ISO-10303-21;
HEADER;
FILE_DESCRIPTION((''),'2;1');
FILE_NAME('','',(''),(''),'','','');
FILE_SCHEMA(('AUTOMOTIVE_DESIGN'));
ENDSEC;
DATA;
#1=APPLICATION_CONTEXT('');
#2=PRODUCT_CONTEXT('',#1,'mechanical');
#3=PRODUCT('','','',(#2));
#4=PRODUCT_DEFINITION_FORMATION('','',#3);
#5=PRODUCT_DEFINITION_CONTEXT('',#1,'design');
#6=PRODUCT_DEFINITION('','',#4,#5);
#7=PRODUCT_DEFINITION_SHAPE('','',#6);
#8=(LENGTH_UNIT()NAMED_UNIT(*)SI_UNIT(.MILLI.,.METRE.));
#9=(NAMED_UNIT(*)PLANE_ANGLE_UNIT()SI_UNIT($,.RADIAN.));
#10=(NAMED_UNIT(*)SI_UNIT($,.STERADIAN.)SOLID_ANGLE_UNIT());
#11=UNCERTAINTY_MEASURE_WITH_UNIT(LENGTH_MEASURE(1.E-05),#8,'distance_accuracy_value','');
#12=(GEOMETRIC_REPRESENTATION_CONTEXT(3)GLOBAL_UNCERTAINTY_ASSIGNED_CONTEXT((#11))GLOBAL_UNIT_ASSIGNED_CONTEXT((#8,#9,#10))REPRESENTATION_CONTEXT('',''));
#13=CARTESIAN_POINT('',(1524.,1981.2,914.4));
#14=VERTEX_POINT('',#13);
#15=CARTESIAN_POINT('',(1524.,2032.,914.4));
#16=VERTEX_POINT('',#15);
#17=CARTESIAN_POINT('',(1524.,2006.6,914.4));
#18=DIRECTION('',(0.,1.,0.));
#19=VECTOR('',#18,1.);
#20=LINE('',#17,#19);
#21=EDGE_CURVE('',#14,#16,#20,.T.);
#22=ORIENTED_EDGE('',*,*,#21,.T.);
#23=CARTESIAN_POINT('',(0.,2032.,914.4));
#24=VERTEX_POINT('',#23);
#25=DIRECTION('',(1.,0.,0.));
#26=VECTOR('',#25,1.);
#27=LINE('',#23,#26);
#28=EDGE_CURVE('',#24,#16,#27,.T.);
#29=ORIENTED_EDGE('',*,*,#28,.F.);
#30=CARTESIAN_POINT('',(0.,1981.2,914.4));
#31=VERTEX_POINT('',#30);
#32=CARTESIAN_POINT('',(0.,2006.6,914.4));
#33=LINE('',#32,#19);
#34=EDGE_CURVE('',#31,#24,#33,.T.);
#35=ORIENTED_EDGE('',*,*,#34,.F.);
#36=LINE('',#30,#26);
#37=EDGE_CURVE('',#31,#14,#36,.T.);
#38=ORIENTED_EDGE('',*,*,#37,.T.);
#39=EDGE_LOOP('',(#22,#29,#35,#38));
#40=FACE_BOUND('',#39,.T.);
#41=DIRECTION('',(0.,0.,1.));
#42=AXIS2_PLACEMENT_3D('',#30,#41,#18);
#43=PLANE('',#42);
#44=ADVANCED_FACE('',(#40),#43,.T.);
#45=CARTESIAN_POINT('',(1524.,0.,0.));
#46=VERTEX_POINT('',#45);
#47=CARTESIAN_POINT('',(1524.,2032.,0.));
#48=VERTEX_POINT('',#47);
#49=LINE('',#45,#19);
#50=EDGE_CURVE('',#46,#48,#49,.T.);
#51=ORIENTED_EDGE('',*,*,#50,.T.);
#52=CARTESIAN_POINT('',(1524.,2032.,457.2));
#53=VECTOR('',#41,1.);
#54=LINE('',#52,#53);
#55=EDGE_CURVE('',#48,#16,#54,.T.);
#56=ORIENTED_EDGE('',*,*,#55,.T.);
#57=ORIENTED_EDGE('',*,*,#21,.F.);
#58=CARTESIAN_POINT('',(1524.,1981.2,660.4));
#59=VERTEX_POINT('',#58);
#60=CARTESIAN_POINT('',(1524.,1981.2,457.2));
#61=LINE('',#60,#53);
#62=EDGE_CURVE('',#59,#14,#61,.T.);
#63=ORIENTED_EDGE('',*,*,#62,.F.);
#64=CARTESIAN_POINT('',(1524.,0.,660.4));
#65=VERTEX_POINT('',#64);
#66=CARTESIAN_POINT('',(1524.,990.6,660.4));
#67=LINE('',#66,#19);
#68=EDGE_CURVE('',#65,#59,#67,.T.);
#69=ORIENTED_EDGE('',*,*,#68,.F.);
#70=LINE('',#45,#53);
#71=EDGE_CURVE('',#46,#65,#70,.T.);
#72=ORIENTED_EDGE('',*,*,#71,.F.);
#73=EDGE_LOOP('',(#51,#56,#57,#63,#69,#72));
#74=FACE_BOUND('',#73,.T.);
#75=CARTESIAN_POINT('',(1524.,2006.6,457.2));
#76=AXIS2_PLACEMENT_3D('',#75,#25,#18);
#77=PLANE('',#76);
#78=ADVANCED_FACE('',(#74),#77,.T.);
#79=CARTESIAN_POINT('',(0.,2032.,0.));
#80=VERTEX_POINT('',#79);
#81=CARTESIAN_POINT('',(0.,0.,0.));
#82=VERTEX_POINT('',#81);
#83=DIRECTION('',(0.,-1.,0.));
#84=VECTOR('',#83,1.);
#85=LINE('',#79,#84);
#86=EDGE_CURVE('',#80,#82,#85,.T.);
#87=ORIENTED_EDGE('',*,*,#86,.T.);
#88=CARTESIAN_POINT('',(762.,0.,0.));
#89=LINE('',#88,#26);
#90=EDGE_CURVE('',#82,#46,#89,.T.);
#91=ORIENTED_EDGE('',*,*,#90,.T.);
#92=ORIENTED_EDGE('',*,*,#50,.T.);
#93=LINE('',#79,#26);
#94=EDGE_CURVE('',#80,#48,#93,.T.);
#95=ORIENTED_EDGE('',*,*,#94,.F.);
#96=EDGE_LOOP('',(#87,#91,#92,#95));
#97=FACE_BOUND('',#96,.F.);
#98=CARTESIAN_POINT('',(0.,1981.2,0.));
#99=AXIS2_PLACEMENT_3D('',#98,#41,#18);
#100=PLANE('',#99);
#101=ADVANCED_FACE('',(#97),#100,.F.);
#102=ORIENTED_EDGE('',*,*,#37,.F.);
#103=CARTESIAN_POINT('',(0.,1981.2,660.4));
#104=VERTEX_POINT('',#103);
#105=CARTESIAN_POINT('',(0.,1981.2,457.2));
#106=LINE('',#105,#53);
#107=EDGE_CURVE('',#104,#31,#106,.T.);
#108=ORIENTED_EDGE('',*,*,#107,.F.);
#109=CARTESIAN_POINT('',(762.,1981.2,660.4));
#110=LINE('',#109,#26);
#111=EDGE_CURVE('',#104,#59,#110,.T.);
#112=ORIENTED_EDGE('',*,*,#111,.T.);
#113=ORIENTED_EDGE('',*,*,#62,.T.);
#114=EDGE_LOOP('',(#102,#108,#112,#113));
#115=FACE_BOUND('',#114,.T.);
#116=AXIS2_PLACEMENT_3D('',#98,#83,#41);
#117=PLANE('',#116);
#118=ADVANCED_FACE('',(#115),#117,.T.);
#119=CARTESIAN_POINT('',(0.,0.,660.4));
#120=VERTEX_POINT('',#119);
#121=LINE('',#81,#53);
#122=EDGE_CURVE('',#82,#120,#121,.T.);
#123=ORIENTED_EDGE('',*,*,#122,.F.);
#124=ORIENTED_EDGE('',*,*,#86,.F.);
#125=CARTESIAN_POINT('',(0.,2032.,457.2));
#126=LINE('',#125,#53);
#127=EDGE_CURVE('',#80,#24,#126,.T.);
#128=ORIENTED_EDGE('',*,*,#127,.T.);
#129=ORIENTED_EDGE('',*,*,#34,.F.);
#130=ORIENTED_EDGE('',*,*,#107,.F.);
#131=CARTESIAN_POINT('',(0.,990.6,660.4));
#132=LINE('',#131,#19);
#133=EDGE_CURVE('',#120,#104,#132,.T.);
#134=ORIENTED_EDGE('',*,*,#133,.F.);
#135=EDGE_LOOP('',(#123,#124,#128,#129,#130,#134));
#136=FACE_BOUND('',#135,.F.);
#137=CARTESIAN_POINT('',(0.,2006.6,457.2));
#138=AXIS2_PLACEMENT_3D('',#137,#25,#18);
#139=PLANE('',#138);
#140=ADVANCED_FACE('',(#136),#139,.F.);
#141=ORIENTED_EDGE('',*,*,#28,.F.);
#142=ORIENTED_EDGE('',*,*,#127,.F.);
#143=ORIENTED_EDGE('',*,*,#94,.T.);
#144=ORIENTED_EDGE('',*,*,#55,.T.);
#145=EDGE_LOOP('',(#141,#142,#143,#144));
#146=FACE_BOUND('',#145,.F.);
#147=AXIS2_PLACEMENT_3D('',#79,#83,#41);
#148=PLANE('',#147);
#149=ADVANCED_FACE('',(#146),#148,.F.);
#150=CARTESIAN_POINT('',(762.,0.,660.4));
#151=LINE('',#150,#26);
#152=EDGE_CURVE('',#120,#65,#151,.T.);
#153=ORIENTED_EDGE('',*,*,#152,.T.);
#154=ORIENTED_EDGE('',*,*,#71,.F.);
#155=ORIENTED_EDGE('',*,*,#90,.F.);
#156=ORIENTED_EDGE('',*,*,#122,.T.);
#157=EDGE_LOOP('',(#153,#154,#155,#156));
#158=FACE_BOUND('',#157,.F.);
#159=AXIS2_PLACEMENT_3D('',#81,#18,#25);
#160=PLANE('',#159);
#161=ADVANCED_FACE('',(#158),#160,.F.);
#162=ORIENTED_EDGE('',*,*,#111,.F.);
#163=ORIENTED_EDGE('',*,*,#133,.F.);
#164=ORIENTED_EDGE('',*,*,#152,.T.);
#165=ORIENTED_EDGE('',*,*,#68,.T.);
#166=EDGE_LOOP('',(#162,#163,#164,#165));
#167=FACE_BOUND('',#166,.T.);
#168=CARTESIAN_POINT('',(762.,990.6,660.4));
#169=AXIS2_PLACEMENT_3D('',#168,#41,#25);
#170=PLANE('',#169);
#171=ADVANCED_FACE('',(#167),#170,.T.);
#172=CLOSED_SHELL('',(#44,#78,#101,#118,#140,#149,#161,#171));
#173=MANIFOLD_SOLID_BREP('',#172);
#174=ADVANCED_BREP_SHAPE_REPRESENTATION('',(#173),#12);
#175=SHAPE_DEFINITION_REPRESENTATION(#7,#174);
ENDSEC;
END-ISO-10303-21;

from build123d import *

# Parameters (mm, degrees)
F0_W     = 1524
F0_H     = 1981.2
F1_DEPTH = 660.4
F2_W     = 50.8
F2_H     = 914.4
F3_DEPTH = 1524


with BuildPart() as f1:
    # F0 (on Top) → F1 (new body)
    with BuildSketch(Plane.XY):
        with Locations((762, 990.6)):
            Rectangle(F0_W, F0_H)
    extrude(amount=F1_DEPTH)

    # F2 (on Right) → F3 (join, through all)
    with BuildSketch(Plane.YZ):
        with Locations((2006.6, 457.2)):
            Rectangle(F2_W, F2_H)
    extrude(amount=F3_DEPTH)


solid = f1.part
